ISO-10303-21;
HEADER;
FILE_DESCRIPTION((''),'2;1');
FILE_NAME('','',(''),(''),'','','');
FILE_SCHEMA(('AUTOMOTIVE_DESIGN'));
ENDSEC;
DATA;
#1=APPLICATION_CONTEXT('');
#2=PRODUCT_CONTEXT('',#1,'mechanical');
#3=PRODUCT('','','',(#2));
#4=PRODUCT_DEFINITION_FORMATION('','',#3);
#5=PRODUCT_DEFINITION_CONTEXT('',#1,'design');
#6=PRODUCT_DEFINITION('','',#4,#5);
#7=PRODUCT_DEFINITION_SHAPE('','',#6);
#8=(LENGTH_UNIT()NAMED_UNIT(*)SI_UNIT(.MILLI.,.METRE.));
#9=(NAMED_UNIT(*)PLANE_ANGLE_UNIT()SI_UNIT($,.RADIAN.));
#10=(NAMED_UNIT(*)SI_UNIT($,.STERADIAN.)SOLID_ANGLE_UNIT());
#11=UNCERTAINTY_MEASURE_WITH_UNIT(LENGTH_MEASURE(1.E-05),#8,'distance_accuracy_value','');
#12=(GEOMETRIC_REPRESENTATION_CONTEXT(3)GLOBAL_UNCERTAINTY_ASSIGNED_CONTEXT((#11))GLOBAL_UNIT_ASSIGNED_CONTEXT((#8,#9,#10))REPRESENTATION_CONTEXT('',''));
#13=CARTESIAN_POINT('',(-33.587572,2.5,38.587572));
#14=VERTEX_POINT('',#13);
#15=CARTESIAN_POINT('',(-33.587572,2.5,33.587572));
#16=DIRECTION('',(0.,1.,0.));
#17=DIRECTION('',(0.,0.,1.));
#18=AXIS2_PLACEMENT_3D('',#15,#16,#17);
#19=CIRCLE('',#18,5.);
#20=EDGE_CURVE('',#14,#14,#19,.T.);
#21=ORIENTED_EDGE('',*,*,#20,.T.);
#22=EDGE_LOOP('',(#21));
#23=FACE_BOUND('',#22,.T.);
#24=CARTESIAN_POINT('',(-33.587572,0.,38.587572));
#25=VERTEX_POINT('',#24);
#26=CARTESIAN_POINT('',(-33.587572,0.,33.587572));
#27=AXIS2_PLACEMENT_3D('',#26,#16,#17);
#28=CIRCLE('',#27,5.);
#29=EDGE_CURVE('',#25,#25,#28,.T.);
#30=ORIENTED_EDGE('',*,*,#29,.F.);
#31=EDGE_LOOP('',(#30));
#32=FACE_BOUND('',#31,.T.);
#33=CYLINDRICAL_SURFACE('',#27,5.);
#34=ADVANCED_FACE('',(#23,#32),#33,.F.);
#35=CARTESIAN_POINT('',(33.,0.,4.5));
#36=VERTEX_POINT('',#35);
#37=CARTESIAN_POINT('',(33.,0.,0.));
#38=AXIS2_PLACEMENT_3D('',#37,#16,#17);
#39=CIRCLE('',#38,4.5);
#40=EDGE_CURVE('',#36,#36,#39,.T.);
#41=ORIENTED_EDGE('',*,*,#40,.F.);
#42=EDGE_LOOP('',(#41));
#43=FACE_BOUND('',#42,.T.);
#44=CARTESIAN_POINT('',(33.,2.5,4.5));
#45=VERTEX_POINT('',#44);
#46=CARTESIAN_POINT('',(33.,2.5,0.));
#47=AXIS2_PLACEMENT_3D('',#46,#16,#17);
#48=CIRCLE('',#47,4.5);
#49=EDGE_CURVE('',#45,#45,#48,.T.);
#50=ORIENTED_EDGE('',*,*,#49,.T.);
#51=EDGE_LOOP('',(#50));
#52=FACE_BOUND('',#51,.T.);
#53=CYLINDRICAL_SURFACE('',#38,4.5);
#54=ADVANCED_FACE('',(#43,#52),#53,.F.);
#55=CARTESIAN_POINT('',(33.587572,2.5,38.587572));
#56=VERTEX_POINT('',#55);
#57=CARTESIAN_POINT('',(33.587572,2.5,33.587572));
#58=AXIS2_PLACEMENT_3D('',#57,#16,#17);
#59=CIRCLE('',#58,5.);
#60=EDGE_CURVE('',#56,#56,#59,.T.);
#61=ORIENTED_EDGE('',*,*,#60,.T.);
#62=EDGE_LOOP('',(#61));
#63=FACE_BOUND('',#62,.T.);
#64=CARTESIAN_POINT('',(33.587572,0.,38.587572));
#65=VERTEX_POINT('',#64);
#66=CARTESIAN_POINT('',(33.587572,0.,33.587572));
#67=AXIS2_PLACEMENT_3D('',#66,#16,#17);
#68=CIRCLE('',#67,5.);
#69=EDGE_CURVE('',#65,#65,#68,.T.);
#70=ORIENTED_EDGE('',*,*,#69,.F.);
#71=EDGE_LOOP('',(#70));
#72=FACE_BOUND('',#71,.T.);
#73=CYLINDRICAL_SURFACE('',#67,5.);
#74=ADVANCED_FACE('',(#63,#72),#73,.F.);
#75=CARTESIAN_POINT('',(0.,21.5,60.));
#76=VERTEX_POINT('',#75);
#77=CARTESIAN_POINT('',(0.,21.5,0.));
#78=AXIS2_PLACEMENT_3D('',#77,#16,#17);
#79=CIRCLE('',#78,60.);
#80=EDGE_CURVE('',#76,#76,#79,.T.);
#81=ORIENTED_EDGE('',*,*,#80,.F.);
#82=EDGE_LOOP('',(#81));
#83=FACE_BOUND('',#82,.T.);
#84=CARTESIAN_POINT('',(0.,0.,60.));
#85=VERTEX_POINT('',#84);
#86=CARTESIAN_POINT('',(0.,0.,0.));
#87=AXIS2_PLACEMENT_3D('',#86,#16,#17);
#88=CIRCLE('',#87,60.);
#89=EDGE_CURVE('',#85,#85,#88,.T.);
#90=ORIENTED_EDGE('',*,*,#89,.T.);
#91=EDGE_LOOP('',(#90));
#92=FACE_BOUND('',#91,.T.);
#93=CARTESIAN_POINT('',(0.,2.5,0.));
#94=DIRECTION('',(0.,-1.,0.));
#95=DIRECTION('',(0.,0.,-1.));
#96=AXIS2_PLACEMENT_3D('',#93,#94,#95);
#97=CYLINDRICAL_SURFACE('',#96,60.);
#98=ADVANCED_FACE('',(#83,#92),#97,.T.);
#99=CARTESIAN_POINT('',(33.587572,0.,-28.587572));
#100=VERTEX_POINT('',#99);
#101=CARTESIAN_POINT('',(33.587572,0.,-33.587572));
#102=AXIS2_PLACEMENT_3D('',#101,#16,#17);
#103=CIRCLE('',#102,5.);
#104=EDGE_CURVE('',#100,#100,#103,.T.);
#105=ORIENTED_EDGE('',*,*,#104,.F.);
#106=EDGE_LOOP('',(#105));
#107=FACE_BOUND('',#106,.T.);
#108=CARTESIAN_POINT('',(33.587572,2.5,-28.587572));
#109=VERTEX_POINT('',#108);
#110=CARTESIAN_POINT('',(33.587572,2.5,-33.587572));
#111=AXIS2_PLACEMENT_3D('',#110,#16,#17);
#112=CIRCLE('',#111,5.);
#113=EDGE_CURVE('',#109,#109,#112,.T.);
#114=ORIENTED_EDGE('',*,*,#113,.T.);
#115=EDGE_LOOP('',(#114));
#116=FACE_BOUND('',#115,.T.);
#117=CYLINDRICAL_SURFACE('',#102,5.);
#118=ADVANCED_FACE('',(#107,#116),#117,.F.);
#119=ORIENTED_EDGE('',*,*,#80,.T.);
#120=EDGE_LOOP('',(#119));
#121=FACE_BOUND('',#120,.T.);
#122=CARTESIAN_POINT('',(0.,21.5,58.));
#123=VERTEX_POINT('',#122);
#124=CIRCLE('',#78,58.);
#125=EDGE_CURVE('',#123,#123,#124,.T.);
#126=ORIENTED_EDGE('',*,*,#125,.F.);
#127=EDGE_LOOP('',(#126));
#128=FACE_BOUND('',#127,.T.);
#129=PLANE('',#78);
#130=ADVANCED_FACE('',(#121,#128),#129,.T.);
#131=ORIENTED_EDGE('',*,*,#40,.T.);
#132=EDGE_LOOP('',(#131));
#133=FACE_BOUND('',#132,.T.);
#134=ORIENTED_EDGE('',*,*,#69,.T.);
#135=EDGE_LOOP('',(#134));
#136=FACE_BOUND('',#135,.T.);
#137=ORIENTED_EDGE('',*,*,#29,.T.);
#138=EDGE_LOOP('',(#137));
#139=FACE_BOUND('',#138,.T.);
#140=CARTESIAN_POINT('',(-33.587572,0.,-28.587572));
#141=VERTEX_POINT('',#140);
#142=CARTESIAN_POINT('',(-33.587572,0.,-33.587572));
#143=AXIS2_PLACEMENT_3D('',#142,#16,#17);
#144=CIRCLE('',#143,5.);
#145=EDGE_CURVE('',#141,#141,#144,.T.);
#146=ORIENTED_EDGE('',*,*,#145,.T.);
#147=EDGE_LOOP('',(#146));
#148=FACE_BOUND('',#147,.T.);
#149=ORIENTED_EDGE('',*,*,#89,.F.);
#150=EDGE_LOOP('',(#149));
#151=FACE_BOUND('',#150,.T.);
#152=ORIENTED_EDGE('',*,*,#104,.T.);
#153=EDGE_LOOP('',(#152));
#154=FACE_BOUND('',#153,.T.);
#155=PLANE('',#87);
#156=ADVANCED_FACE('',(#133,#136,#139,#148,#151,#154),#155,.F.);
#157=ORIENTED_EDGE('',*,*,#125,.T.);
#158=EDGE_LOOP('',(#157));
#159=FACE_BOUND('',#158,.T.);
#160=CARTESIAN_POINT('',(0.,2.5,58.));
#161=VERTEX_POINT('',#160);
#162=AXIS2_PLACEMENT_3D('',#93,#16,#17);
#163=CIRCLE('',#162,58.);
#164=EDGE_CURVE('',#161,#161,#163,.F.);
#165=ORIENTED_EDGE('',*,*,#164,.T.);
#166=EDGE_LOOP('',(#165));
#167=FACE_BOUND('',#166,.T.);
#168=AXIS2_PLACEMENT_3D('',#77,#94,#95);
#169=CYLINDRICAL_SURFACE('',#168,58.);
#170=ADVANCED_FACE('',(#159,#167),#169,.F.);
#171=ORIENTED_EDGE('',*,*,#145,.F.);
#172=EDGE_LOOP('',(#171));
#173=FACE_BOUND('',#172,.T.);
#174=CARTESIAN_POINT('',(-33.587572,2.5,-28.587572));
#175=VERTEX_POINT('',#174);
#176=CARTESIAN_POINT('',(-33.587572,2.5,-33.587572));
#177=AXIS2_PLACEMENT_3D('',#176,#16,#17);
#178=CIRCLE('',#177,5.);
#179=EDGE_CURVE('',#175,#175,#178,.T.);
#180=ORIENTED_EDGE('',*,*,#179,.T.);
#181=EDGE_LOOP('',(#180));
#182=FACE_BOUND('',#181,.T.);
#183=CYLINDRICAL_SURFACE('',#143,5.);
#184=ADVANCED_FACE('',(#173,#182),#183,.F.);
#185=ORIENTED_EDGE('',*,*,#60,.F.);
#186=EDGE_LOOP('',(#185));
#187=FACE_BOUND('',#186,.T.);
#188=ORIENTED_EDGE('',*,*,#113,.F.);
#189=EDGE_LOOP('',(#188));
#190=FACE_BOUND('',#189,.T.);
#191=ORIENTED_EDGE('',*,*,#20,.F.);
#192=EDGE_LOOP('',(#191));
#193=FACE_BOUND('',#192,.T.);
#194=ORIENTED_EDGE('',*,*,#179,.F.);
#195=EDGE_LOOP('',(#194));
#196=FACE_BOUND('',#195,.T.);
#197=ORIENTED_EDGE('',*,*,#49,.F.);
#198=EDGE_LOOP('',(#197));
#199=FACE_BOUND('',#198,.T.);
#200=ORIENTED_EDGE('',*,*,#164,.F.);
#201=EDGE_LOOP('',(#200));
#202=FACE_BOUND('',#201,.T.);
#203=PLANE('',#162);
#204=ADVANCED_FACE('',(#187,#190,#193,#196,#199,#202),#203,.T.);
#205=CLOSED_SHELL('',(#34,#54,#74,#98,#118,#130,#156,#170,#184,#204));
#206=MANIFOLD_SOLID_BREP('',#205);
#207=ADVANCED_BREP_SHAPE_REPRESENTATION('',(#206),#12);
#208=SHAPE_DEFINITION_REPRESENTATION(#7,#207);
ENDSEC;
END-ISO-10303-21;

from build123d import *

# Parameters (mm, degrees)
SKETCH1_R           = 60
BOSS_EXTRUDE1_DEPTH = 2.5
SKETCH2_R           = 60
SKETCH2_R_2         = 58
BOSS_EXTRUDE2_DEPTH = 19
SKETCH3_R           = 4.5
SKETCH3_R_2         = 5
CUT_EXTRUDE1_DEPTH  = 87.954010833


with BuildPart() as part:
    # Sketch1 → Boss-Extrude1 (new body)
    with BuildSketch(Plane(origin=(0, 0, 0), x_dir=(1, 0, 0), z_dir=(0, 1, 0))):
        with Locations(Location((0, 0, 0), (0, 0, 270))):
            Circle(SKETCH1_R)
    extrude(amount=BOSS_EXTRUDE1_DEPTH)

    # Sketch2 → Boss-Extrude2 (add)
    with BuildSketch(Plane(origin=(0, 2.5, 0), x_dir=(1, 0, 0), z_dir=(0, 1, 0))):
        with Locations(Location((0, 0, 0), (0, 0, 270))):
            Circle(SKETCH2_R)
        with Locations(Location((0, 0, 0), (0, 0, 270))):
            Circle(SKETCH2_R_2, mode=Mode.SUBTRACT)
    extrude(amount=BOSS_EXTRUDE2_DEPTH)

    # Sketch3 → Cut-Extrude1 (cut, through all)
    with BuildSketch(Plane(origin=(0, 2.5, 0), x_dir=(1, 0, 0), z_dir=(0, 1, 0))):
        with Locations(Location((33, 0, 0), (0, 0, 270))):
            Circle(SKETCH3_R)
        with Locations(Location((33.587572106, 33.587572106, 0), (0, 0, 270))):
            Circle(SKETCH3_R_2)
        with Locations(Location((33.587572106, -33.587572106, 0), (0, 0, 270))):
            Circle(SKETCH3_R_2)
        with Locations(Location((-33.587572106, -33.587572106, 0), (0, 0, 270))):
            Circle(SKETCH3_R_2)
        with Locations(Location((-33.587572106, 33.587572106, 0), (0, 0, 270))):
            Circle(SKETCH3_R_2)
    extrude(amount=-CUT_EXTRUDE1_DEPTH, mode=Mode.SUBTRACT)


solid = part.part
